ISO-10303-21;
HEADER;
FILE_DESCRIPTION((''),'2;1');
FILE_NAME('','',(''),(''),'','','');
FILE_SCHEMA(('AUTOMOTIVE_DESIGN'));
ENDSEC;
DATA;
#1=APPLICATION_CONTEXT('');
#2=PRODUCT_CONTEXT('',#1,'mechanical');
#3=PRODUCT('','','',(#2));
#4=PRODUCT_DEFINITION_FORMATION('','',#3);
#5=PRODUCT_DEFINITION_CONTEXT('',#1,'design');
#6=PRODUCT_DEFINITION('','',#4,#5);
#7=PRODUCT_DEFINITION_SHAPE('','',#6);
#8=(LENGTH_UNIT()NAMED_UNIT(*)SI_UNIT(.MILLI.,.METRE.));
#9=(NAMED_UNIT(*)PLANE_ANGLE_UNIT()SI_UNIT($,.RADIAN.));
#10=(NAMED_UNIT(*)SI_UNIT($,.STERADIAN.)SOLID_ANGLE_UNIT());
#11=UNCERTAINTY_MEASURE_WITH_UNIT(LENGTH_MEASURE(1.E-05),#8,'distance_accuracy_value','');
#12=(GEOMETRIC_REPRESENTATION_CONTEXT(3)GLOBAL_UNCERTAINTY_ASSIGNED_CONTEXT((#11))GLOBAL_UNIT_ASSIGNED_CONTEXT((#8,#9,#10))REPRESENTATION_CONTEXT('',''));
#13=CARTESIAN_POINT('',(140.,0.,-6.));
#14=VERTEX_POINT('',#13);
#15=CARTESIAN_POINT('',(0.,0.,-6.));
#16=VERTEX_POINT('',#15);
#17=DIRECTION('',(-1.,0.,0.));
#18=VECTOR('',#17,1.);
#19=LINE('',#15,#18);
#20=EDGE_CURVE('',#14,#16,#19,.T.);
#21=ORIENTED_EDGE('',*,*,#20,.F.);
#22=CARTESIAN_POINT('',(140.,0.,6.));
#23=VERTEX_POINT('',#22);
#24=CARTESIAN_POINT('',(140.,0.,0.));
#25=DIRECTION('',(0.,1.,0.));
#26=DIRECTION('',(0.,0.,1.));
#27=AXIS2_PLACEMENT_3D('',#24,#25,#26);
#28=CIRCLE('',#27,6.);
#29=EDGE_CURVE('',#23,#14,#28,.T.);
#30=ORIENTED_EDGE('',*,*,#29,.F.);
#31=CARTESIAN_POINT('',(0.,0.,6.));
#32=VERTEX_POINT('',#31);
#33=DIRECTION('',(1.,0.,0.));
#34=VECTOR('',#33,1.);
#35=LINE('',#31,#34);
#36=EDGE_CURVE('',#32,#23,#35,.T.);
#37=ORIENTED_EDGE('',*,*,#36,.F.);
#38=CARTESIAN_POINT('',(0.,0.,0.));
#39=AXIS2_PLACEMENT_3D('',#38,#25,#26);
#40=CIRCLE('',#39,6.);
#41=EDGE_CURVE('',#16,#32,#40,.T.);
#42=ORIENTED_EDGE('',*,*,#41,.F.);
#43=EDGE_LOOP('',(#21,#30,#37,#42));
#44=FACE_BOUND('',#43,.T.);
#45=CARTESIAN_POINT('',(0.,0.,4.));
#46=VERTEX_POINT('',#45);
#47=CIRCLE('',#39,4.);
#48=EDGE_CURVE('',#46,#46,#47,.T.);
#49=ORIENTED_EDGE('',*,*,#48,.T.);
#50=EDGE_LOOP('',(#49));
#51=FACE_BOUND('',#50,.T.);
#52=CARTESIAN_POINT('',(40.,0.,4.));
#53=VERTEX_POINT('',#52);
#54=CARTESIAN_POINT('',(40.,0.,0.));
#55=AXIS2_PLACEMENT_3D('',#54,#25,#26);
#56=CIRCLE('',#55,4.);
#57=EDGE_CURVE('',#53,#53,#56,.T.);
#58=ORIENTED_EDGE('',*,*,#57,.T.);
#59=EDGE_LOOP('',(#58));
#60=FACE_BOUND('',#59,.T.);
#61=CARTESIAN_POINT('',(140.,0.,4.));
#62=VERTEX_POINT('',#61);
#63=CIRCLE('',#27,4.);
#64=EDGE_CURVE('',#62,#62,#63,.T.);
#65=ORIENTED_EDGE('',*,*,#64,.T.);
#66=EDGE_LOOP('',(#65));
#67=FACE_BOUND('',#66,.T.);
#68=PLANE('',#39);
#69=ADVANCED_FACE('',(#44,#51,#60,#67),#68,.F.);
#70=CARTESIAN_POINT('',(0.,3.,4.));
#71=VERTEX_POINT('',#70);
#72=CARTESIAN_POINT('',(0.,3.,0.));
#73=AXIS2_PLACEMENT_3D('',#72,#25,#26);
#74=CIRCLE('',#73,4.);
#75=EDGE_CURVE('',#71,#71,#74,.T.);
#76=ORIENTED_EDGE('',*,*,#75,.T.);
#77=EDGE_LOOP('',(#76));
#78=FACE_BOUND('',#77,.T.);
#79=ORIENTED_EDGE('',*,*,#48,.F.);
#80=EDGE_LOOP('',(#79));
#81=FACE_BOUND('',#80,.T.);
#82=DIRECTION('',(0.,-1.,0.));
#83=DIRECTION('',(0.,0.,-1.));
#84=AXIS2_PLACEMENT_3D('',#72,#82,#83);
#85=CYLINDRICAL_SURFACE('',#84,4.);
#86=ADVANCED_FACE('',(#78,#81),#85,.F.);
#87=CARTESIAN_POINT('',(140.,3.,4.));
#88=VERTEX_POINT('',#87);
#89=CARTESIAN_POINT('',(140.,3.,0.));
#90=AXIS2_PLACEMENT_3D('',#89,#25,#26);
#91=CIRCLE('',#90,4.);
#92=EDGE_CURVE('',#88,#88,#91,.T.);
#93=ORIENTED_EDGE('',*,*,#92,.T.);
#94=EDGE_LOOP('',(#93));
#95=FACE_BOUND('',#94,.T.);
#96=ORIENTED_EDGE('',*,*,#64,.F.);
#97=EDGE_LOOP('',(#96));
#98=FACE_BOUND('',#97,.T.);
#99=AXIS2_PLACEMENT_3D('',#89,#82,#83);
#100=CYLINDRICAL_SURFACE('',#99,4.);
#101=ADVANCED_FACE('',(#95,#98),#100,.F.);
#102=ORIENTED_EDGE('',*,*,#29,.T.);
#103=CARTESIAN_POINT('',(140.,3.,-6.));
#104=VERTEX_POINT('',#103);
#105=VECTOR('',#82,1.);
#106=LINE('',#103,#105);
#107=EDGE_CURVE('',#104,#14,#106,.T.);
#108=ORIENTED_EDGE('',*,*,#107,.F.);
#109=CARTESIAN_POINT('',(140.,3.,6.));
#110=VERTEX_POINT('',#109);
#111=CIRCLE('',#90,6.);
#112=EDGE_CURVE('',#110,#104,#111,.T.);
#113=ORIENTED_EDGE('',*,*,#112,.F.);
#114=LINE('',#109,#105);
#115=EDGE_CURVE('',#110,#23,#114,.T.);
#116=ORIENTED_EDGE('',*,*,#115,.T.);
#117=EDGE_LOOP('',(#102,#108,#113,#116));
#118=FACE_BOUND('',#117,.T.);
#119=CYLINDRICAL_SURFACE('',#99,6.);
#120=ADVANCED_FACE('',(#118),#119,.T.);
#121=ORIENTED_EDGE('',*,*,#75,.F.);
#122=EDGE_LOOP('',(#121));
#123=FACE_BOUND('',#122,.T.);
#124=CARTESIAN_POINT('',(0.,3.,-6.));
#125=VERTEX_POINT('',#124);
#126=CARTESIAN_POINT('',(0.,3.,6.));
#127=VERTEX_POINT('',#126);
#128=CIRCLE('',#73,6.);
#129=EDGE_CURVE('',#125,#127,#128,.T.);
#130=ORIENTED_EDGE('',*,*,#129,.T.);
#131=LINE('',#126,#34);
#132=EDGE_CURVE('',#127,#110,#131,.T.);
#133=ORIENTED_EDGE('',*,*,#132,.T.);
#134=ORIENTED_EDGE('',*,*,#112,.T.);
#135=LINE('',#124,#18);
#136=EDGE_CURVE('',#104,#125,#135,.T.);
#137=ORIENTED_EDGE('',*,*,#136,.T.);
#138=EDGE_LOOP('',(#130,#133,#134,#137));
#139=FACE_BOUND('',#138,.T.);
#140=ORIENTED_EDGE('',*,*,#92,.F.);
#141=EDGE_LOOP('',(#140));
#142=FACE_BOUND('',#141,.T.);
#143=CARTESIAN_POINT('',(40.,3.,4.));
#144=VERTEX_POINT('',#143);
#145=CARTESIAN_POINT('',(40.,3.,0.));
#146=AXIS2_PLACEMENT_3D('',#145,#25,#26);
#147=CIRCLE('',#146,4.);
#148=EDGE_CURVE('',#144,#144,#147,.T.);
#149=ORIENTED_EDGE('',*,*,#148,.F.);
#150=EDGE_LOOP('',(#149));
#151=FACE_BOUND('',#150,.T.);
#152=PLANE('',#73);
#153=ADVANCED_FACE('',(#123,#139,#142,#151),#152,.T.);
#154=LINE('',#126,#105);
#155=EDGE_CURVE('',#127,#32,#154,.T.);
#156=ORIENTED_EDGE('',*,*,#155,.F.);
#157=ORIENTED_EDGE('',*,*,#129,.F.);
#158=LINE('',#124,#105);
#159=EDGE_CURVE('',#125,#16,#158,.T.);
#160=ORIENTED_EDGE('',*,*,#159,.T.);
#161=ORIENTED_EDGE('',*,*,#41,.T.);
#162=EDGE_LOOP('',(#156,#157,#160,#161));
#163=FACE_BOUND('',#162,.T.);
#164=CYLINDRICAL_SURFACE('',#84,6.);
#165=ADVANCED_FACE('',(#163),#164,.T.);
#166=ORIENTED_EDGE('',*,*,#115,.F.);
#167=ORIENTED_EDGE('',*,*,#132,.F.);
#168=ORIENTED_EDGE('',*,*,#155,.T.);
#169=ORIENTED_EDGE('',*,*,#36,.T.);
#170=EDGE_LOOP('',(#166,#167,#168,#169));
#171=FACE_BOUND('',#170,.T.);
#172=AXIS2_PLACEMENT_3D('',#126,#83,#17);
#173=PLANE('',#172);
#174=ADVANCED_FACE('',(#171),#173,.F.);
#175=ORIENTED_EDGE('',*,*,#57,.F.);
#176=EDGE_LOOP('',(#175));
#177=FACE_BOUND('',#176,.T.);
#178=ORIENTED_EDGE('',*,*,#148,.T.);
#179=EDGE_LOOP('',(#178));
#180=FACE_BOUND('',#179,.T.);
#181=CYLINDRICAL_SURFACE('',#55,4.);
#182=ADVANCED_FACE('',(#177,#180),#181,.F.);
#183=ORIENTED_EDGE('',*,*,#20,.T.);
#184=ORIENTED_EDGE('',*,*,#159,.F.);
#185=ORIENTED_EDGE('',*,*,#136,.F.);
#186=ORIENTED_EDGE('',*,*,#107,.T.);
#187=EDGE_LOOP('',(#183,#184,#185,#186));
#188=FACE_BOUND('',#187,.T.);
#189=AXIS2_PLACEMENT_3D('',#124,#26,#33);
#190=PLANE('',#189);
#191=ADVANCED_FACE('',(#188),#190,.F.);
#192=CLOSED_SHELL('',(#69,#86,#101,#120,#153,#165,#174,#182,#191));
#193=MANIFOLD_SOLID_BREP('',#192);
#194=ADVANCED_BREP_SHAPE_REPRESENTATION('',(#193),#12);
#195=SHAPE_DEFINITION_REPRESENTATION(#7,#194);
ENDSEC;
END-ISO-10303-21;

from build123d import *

# Parameters (mm, degrees)
SKETCH1_R           = 4
BOSS_EXTRUDE1_DEPTH = 3
SKETCH2_R           = 4
CUT_EXTRUDE1_DEPTH  = 147.15402834


with BuildPart() as part:
    # Sketch1 → Boss-Extrude1 (new body)
    with BuildSketch(Plane(origin=(0, 0, 0), x_dir=(1, 0, 0), z_dir=(0, 1, 0))):
        with BuildLine():
            Line((0, 6), (140, 6))
            ThreePointArc((140, 6), (146, 0), (140, -6))
            Line((140, -6), (0, -6))
            ThreePointArc((0, -6), (-6, 0), (0, 6))
        make_face()
        with Locations(Location((0, 0, 0), (0, 0, 270))):
            Circle(SKETCH1_R, mode=Mode.SUBTRACT)
        with Locations(Location((140, 0, 0), (0, 0, 270))):
            Circle(SKETCH1_R, mode=Mode.SUBTRACT)
    extrude(amount=BOSS_EXTRUDE1_DEPTH)

    # Sketch2 → Cut-Extrude1 (cut, through all)
    with BuildSketch(Plane(origin=(0, 3, 0), x_dir=(1, 0, 0), z_dir=(0, 1, 0))):
        with Locations(Location((40, 0, 0), (0, 0, 270))):
            Circle(SKETCH2_R)
    extrude(amount=-CUT_EXTRUDE1_DEPTH, mode=Mode.SUBTRACT)


solid = part.part
